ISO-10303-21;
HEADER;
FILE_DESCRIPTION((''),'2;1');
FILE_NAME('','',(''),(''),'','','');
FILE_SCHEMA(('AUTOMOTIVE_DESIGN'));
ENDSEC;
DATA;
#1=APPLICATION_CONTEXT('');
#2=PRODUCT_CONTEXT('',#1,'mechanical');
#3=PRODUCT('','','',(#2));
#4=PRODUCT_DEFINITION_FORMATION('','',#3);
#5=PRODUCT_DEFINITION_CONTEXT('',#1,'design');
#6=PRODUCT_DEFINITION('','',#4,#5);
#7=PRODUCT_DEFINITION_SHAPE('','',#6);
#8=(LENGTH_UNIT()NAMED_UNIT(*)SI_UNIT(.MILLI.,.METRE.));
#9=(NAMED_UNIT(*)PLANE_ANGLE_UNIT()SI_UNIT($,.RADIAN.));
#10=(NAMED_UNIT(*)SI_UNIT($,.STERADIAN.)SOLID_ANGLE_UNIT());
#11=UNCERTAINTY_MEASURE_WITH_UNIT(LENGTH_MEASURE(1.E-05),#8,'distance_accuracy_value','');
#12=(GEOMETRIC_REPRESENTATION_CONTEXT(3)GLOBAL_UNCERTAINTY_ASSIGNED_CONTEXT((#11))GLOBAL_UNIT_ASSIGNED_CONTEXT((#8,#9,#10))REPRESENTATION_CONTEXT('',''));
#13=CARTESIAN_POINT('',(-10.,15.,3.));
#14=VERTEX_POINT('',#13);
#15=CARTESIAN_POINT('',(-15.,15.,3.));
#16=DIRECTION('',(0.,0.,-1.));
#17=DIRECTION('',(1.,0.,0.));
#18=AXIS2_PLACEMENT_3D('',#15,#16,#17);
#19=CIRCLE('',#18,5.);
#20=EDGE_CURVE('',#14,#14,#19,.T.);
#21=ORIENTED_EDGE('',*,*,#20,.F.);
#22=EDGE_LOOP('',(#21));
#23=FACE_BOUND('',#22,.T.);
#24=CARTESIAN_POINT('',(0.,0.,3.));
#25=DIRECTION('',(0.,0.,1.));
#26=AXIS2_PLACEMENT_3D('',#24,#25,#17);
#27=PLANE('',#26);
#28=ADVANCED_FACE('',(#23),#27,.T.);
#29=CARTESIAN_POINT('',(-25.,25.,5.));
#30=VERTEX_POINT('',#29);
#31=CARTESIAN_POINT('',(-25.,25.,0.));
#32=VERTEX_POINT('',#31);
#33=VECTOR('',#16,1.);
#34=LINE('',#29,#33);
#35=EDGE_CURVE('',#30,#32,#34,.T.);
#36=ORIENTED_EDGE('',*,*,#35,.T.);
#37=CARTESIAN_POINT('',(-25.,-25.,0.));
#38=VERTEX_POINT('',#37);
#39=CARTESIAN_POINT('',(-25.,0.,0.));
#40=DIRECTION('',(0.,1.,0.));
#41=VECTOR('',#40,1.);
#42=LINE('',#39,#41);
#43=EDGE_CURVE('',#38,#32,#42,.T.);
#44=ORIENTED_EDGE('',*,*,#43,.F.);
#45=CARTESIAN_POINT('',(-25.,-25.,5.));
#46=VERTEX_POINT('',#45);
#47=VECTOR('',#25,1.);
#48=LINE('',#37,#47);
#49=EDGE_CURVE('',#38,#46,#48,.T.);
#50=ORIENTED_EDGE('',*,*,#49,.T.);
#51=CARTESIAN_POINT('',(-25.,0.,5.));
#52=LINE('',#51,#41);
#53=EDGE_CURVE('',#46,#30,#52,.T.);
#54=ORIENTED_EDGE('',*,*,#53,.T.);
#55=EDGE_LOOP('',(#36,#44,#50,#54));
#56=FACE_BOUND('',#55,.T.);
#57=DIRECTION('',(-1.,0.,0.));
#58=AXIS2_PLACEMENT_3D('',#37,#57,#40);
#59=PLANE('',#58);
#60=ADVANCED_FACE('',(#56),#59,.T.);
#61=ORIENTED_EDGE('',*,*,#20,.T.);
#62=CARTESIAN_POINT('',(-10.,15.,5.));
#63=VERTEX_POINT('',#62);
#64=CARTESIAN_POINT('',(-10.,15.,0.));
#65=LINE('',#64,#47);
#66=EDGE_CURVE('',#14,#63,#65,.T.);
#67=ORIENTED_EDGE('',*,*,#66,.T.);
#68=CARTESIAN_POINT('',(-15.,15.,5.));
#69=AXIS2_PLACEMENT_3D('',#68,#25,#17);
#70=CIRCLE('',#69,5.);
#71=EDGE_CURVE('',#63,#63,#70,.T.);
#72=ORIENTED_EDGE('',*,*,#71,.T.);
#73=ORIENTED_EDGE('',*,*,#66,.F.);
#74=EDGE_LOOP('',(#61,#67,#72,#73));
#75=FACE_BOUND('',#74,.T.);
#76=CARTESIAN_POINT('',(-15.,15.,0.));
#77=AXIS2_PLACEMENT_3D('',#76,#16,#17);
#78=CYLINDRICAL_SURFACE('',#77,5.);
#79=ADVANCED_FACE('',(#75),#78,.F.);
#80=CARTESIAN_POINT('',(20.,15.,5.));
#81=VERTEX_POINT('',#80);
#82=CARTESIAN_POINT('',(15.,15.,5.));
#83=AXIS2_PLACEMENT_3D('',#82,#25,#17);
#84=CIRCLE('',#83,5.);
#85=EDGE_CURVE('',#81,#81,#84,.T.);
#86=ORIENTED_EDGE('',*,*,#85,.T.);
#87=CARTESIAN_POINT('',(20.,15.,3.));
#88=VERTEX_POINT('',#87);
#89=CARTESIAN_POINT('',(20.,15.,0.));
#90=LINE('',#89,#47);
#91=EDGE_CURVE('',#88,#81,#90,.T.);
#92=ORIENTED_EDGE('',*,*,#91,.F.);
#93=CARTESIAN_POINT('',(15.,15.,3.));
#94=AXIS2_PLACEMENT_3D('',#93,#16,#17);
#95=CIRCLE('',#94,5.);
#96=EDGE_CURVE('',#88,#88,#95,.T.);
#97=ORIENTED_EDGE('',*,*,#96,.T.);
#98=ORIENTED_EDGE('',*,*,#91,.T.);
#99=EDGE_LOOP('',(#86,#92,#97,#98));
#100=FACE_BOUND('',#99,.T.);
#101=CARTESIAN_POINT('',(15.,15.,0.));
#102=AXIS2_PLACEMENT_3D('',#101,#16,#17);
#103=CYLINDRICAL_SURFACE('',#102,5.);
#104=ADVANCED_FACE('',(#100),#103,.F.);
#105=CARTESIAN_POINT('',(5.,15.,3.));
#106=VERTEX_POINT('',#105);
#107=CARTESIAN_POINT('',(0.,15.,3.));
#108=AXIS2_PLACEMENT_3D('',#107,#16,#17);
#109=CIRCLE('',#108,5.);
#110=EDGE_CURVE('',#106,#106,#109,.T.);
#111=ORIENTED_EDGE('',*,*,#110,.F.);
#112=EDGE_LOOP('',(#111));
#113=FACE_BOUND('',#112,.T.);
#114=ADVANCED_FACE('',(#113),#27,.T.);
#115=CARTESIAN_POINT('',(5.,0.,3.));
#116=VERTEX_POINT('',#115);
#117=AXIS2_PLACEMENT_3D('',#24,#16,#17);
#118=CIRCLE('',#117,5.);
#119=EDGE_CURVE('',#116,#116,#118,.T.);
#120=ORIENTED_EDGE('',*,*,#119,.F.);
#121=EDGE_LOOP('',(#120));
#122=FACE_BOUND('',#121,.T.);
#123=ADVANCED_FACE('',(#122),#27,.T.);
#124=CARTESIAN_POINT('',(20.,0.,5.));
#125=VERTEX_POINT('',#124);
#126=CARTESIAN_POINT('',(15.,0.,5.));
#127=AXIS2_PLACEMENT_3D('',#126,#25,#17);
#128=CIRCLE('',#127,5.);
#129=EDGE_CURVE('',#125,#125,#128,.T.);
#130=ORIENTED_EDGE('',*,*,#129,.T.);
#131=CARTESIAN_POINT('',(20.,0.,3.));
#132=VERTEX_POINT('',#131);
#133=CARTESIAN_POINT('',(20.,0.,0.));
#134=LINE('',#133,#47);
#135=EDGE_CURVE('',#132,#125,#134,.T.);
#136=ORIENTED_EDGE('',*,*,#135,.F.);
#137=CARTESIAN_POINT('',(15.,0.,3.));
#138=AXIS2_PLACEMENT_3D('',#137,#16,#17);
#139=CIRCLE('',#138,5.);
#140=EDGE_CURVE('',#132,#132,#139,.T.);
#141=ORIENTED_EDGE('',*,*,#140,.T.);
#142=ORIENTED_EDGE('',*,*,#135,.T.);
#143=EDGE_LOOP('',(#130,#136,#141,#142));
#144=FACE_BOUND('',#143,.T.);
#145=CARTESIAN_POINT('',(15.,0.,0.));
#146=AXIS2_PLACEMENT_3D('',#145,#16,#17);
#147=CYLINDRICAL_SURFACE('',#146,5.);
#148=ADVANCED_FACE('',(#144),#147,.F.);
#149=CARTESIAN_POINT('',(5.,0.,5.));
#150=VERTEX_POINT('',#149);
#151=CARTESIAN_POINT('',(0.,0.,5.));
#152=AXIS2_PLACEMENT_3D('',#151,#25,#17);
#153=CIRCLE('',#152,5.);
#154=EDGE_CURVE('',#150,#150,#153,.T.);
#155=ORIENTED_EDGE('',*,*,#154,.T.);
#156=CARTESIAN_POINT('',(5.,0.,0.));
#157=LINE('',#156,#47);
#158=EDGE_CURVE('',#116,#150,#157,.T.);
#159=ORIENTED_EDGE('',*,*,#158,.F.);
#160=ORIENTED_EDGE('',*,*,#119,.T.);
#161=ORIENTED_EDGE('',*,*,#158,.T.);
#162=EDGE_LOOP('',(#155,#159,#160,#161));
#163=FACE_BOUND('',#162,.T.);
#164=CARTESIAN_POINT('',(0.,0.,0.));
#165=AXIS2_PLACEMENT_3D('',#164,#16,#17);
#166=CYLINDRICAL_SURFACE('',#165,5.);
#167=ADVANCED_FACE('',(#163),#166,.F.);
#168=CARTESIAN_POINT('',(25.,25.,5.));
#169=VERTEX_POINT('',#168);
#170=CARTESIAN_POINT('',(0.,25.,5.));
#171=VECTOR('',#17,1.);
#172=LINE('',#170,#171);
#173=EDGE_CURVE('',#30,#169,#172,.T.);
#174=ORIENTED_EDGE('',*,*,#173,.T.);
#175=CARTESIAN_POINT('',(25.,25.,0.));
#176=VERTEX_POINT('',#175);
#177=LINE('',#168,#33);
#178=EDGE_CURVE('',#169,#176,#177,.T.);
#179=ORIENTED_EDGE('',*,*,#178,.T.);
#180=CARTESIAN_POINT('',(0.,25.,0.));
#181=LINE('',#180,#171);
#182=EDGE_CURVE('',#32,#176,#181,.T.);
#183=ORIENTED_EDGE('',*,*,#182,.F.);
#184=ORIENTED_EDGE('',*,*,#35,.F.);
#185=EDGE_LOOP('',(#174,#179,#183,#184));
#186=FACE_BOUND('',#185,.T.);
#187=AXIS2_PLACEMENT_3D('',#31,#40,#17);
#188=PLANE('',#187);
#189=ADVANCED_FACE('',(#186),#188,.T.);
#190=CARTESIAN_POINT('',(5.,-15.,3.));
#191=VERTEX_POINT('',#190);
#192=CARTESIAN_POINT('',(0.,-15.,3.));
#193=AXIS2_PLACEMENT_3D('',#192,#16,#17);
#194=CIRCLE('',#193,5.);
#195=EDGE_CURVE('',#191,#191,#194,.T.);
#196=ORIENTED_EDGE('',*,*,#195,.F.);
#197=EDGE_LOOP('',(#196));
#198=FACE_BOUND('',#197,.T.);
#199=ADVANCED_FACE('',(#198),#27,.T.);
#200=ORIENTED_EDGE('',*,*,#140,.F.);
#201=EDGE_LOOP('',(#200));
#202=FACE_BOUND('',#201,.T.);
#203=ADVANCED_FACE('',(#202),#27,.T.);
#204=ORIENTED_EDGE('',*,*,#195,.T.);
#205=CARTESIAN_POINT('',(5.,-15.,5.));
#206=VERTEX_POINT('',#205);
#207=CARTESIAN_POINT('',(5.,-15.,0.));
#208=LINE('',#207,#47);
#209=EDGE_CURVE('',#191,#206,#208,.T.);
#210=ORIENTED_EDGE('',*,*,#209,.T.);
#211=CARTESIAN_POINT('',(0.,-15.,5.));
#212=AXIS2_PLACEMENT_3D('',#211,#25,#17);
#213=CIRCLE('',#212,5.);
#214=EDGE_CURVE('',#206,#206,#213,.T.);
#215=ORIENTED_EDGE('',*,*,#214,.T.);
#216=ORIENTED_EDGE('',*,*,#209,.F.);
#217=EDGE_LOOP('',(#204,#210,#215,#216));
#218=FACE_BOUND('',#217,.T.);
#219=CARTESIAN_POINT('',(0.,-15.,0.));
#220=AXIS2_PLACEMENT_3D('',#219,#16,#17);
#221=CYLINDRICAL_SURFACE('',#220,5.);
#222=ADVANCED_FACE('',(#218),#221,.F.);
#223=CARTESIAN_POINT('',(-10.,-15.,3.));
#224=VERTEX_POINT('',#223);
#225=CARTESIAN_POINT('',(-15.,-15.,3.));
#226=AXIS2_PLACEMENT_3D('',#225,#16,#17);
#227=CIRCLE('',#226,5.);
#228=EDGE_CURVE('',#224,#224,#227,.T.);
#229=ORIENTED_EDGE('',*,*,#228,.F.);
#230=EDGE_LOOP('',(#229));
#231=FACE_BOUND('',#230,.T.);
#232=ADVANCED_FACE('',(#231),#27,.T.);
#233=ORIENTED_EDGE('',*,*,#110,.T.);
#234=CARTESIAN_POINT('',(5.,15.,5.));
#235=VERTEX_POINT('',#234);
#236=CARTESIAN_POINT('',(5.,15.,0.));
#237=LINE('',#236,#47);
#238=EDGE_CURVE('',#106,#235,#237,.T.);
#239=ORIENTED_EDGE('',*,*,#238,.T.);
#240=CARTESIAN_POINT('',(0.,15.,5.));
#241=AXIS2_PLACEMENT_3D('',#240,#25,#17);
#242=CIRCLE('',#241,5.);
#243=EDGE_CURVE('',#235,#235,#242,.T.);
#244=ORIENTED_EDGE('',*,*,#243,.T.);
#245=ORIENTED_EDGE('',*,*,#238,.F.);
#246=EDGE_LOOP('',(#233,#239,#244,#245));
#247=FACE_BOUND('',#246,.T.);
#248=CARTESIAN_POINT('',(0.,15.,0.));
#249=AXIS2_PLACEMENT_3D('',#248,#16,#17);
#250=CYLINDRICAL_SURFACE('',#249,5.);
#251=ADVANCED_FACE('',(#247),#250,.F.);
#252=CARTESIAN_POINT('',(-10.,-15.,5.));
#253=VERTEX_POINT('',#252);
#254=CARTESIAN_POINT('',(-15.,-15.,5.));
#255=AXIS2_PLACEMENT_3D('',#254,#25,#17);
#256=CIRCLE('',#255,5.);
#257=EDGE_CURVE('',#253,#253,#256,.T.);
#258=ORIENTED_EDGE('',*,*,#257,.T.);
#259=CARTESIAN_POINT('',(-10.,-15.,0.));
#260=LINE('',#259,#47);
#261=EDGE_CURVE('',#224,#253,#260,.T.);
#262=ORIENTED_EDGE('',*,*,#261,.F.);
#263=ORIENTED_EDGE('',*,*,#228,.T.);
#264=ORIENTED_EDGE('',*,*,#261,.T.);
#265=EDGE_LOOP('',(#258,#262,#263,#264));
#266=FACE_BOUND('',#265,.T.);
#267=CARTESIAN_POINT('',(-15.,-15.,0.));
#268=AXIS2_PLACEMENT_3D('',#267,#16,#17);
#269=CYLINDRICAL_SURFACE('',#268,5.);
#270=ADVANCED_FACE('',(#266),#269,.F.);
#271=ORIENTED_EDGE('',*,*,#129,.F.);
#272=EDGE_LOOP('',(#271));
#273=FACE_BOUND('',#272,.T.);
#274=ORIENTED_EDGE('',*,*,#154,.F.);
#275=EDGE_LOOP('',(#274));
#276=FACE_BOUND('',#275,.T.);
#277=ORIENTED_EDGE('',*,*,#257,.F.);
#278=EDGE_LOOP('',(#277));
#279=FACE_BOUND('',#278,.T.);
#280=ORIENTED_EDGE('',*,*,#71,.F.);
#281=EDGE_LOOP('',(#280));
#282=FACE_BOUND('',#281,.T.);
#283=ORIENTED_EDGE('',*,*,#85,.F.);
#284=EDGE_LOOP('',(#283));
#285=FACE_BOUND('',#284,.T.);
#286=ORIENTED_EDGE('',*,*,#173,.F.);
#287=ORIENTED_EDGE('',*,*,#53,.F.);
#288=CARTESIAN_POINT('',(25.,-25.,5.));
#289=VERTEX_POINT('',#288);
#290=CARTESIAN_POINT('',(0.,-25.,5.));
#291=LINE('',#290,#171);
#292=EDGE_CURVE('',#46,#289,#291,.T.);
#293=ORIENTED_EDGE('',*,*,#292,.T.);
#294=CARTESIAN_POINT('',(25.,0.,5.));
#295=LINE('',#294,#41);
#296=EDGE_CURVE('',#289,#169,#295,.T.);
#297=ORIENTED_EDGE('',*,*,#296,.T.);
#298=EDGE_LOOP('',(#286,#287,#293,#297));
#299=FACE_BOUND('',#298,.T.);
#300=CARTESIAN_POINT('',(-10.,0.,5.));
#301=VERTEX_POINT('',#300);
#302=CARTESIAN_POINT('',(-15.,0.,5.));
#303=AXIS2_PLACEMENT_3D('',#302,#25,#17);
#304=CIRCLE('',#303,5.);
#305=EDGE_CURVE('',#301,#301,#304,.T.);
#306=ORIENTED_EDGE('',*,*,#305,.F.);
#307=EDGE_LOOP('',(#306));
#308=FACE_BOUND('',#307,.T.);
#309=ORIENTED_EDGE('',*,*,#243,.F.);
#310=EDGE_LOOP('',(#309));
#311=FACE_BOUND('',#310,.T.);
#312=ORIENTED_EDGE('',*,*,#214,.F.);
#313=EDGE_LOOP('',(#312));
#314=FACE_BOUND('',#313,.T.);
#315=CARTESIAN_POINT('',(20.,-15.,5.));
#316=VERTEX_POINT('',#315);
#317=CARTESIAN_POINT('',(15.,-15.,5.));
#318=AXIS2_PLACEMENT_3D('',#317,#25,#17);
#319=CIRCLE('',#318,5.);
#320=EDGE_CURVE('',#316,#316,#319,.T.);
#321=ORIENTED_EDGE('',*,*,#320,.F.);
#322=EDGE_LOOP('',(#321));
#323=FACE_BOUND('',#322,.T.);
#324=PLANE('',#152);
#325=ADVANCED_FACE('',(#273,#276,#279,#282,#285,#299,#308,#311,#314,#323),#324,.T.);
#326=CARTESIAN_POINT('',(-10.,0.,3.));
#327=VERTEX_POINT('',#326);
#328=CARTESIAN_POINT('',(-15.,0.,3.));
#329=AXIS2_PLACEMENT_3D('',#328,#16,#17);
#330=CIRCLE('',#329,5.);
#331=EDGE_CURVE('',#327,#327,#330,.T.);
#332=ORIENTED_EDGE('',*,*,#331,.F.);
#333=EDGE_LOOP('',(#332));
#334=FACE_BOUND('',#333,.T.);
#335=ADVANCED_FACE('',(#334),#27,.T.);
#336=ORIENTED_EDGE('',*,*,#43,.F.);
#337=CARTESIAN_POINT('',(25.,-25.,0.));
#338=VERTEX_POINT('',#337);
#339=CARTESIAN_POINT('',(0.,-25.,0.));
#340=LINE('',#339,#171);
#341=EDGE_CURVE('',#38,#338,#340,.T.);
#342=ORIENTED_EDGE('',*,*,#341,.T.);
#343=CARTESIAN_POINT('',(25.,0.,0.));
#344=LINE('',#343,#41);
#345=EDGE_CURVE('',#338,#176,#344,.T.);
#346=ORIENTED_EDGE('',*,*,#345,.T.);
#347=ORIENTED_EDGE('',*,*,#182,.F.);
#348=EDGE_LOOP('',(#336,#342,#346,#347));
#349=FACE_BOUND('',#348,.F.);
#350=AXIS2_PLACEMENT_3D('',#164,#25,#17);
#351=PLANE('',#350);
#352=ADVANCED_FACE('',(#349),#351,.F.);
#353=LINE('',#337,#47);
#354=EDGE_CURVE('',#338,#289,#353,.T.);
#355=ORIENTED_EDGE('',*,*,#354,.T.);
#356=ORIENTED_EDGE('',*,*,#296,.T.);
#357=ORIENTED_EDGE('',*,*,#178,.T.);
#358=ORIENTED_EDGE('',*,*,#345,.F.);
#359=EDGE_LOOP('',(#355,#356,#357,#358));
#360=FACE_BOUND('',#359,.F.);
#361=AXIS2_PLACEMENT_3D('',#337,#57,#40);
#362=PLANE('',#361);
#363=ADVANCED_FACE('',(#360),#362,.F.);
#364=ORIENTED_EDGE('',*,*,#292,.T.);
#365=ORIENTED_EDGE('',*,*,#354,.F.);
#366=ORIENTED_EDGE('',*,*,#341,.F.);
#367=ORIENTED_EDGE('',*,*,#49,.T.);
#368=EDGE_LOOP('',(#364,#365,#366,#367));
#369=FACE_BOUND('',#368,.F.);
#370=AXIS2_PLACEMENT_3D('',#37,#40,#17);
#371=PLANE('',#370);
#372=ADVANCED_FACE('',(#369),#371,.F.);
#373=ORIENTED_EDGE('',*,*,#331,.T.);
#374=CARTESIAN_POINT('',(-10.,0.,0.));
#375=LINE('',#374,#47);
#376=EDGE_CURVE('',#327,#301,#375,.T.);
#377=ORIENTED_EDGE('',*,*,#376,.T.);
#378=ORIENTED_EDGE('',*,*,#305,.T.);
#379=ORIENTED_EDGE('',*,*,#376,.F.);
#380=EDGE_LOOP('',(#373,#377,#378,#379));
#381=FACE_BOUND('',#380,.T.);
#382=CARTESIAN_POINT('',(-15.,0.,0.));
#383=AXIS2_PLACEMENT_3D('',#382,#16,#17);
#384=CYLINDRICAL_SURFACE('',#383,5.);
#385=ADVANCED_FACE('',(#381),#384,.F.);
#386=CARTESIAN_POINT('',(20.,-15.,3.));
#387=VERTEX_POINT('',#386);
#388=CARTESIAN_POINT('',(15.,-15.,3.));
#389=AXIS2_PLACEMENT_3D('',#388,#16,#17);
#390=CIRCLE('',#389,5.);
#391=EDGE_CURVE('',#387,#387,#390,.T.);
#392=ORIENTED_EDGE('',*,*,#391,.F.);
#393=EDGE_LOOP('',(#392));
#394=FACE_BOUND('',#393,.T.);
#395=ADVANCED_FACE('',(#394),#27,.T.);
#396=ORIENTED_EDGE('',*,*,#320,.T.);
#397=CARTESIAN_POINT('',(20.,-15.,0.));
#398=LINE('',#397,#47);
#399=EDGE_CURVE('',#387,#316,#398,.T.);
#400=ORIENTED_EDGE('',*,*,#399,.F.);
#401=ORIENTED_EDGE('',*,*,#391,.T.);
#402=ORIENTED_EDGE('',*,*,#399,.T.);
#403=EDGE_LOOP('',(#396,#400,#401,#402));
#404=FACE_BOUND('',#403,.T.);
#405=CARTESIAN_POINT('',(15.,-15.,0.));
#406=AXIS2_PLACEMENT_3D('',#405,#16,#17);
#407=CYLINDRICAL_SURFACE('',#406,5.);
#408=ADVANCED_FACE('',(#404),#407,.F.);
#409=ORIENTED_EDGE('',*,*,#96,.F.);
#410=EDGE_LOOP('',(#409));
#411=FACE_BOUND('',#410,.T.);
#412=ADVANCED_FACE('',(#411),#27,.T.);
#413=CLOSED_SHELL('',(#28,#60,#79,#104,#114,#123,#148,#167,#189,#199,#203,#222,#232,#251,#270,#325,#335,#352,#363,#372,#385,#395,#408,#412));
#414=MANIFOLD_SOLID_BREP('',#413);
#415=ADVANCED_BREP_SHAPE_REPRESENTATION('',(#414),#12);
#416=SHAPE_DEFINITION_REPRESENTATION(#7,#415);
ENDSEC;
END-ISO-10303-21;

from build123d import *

# Parameters (mm, degrees)
F0_W     = 50
F0_H     = 50
F0_R     = 5
F1_DEPTH = 3
F2_DEPTH = 5


with BuildPart() as f1:
    # F0 (on Top) → F1 (new body)
    with BuildSketch(Plane.XY):
        Rectangle(F0_W, F0_H)
        with Locations((-15, -15)):
            Circle(F0_R, mode=Mode.SUBTRACT)
        with Locations((0, -15)):
            Circle(F0_R, mode=Mode.SUBTRACT)
        with Locations((15, -15)):
            Circle(F0_R, mode=Mode.SUBTRACT)
        with Locations((-15, 0)):
            Circle(F0_R, mode=Mode.SUBTRACT)
        with Locations((-15, 15)):
            Circle(F0_R, mode=Mode.SUBTRACT)
        Circle(F0_R, mode=Mode.SUBTRACT)
        with Locations((15, 0)):
            Circle(F0_R, mode=Mode.SUBTRACT)
        with Locations((0, 15)):
            Circle(F0_R, mode=Mode.SUBTRACT)
        with Locations((15, 15)):
            Circle(F0_R, mode=Mode.SUBTRACT)
        with Locations((-15, 15)):
            Circle(F0_R)
        with Locations((0, 15)):
            Circle(F0_R)
        with Locations((15, 15)):
            Circle(F0_R)
        with Locations((15, 0)):
            Circle(F0_R)
        Circle(F0_R)
        with Locations((-15, 0)):
            Circle(F0_R)
        with Locations((-15, -15)):
            Circle(F0_R)
        with Locations((0, -15)):
            Circle(F0_R)
        with Locations((15, -15)):
            Circle(F0_R)
    extrude(amount=F1_DEPTH)

    # F0 (on Top) → F2 (join)
    with BuildSketch(Plane.XY):
        Rectangle(F0_W, F0_H)
        with Locations((-15, -15)):
            Circle(F0_R, mode=Mode.SUBTRACT)
        with Locations((0, -15)):
            Circle(F0_R, mode=Mode.SUBTRACT)
        with Locations((15, -15)):
            Circle(F0_R, mode=Mode.SUBTRACT)
        with Locations((-15, 0)):
            Circle(F0_R, mode=Mode.SUBTRACT)
        with Locations((-15, 15)):
            Circle(F0_R, mode=Mode.SUBTRACT)
        Circle(F0_R, mode=Mode.SUBTRACT)
        with Locations((15, 0)):
            Circle(F0_R, mode=Mode.SUBTRACT)
        with Locations((0, 15)):
            Circle(F0_R, mode=Mode.SUBTRACT)
        with Locations((15, 15)):
            Circle(F0_R, mode=Mode.SUBTRACT)
    extrude(amount=F2_DEPTH)


solid = f1.part
